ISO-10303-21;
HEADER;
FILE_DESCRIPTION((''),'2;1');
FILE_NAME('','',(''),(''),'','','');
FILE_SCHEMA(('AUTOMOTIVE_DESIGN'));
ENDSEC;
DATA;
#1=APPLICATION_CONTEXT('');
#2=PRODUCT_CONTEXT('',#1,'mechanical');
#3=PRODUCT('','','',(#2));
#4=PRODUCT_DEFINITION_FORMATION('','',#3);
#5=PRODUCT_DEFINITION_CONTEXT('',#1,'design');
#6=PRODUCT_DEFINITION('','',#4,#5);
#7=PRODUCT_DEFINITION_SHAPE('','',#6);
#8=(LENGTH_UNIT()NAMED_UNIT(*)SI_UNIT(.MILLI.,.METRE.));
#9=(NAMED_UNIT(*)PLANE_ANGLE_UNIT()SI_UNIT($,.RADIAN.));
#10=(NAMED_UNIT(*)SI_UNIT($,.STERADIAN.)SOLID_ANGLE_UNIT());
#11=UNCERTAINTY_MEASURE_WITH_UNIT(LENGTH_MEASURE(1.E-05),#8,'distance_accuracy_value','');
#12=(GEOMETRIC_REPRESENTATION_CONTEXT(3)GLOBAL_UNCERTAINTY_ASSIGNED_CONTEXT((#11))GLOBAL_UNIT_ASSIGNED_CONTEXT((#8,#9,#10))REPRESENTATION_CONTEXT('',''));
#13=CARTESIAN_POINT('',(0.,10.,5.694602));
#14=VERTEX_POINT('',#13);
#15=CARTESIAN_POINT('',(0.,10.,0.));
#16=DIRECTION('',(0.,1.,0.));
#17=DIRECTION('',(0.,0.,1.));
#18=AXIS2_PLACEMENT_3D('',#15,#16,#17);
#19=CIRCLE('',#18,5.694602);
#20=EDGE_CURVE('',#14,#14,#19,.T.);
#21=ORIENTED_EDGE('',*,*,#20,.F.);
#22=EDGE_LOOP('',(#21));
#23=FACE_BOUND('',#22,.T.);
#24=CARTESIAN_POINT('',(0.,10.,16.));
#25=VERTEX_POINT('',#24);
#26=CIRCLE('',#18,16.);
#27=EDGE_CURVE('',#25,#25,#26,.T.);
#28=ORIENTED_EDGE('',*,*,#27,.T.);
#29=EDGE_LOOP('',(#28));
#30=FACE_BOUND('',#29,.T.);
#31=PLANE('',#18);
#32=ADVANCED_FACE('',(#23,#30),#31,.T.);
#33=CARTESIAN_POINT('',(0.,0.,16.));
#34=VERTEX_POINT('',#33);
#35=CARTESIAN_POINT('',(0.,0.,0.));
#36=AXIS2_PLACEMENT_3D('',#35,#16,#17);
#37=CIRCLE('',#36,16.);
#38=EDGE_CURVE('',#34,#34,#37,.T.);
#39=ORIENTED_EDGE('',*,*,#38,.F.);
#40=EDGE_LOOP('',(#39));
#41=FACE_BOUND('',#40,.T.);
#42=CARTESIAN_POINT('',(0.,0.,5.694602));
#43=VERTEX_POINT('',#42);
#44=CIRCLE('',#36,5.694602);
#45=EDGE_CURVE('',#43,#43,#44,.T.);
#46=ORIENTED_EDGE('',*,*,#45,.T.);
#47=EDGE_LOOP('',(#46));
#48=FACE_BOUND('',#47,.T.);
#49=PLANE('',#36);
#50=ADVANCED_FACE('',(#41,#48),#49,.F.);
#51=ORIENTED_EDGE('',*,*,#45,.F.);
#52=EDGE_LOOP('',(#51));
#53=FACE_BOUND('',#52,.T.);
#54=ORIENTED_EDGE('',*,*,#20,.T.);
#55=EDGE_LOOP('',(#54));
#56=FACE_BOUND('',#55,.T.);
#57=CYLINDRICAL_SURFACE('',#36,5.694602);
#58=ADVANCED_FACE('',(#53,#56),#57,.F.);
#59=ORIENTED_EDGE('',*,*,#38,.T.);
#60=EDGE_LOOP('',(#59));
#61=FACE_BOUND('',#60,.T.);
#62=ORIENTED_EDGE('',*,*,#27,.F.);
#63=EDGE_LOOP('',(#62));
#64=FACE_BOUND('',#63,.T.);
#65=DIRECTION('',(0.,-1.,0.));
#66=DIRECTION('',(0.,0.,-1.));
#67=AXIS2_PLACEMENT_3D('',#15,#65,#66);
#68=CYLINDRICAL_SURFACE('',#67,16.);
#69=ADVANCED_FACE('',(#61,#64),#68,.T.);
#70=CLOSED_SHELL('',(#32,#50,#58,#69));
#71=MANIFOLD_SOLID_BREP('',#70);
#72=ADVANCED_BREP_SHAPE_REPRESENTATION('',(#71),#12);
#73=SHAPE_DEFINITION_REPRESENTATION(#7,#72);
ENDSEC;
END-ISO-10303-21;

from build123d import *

# Parameters (mm, degrees)
SKETCH_1_R          = 16
EXTRUDE_1_DEPTH     = 10
SKETCH_2_R          = 5.69460229
CUT_EXTRUDE_1_DEPTH = 11


with BuildPart() as part:
    # 草圖1 → 填料-伸長1 (new body)
    with BuildSketch(Plane(origin=(0, 0, 0), x_dir=(1, 0, 0), z_dir=(0, 1, 0))):
        Circle(SKETCH_1_R)
    extrude(amount=EXTRUDE_1_DEPTH)

    # 草圖2 → 除料-伸長1 (cut, through all)
    with BuildSketch(Plane(origin=(0, 10, 0), x_dir=(1, 0, 0), z_dir=(0, 1, 0))):
        Circle(SKETCH_2_R)
    extrude(amount=-CUT_EXTRUDE_1_DEPTH, mode=Mode.SUBTRACT)


solid = part.part
